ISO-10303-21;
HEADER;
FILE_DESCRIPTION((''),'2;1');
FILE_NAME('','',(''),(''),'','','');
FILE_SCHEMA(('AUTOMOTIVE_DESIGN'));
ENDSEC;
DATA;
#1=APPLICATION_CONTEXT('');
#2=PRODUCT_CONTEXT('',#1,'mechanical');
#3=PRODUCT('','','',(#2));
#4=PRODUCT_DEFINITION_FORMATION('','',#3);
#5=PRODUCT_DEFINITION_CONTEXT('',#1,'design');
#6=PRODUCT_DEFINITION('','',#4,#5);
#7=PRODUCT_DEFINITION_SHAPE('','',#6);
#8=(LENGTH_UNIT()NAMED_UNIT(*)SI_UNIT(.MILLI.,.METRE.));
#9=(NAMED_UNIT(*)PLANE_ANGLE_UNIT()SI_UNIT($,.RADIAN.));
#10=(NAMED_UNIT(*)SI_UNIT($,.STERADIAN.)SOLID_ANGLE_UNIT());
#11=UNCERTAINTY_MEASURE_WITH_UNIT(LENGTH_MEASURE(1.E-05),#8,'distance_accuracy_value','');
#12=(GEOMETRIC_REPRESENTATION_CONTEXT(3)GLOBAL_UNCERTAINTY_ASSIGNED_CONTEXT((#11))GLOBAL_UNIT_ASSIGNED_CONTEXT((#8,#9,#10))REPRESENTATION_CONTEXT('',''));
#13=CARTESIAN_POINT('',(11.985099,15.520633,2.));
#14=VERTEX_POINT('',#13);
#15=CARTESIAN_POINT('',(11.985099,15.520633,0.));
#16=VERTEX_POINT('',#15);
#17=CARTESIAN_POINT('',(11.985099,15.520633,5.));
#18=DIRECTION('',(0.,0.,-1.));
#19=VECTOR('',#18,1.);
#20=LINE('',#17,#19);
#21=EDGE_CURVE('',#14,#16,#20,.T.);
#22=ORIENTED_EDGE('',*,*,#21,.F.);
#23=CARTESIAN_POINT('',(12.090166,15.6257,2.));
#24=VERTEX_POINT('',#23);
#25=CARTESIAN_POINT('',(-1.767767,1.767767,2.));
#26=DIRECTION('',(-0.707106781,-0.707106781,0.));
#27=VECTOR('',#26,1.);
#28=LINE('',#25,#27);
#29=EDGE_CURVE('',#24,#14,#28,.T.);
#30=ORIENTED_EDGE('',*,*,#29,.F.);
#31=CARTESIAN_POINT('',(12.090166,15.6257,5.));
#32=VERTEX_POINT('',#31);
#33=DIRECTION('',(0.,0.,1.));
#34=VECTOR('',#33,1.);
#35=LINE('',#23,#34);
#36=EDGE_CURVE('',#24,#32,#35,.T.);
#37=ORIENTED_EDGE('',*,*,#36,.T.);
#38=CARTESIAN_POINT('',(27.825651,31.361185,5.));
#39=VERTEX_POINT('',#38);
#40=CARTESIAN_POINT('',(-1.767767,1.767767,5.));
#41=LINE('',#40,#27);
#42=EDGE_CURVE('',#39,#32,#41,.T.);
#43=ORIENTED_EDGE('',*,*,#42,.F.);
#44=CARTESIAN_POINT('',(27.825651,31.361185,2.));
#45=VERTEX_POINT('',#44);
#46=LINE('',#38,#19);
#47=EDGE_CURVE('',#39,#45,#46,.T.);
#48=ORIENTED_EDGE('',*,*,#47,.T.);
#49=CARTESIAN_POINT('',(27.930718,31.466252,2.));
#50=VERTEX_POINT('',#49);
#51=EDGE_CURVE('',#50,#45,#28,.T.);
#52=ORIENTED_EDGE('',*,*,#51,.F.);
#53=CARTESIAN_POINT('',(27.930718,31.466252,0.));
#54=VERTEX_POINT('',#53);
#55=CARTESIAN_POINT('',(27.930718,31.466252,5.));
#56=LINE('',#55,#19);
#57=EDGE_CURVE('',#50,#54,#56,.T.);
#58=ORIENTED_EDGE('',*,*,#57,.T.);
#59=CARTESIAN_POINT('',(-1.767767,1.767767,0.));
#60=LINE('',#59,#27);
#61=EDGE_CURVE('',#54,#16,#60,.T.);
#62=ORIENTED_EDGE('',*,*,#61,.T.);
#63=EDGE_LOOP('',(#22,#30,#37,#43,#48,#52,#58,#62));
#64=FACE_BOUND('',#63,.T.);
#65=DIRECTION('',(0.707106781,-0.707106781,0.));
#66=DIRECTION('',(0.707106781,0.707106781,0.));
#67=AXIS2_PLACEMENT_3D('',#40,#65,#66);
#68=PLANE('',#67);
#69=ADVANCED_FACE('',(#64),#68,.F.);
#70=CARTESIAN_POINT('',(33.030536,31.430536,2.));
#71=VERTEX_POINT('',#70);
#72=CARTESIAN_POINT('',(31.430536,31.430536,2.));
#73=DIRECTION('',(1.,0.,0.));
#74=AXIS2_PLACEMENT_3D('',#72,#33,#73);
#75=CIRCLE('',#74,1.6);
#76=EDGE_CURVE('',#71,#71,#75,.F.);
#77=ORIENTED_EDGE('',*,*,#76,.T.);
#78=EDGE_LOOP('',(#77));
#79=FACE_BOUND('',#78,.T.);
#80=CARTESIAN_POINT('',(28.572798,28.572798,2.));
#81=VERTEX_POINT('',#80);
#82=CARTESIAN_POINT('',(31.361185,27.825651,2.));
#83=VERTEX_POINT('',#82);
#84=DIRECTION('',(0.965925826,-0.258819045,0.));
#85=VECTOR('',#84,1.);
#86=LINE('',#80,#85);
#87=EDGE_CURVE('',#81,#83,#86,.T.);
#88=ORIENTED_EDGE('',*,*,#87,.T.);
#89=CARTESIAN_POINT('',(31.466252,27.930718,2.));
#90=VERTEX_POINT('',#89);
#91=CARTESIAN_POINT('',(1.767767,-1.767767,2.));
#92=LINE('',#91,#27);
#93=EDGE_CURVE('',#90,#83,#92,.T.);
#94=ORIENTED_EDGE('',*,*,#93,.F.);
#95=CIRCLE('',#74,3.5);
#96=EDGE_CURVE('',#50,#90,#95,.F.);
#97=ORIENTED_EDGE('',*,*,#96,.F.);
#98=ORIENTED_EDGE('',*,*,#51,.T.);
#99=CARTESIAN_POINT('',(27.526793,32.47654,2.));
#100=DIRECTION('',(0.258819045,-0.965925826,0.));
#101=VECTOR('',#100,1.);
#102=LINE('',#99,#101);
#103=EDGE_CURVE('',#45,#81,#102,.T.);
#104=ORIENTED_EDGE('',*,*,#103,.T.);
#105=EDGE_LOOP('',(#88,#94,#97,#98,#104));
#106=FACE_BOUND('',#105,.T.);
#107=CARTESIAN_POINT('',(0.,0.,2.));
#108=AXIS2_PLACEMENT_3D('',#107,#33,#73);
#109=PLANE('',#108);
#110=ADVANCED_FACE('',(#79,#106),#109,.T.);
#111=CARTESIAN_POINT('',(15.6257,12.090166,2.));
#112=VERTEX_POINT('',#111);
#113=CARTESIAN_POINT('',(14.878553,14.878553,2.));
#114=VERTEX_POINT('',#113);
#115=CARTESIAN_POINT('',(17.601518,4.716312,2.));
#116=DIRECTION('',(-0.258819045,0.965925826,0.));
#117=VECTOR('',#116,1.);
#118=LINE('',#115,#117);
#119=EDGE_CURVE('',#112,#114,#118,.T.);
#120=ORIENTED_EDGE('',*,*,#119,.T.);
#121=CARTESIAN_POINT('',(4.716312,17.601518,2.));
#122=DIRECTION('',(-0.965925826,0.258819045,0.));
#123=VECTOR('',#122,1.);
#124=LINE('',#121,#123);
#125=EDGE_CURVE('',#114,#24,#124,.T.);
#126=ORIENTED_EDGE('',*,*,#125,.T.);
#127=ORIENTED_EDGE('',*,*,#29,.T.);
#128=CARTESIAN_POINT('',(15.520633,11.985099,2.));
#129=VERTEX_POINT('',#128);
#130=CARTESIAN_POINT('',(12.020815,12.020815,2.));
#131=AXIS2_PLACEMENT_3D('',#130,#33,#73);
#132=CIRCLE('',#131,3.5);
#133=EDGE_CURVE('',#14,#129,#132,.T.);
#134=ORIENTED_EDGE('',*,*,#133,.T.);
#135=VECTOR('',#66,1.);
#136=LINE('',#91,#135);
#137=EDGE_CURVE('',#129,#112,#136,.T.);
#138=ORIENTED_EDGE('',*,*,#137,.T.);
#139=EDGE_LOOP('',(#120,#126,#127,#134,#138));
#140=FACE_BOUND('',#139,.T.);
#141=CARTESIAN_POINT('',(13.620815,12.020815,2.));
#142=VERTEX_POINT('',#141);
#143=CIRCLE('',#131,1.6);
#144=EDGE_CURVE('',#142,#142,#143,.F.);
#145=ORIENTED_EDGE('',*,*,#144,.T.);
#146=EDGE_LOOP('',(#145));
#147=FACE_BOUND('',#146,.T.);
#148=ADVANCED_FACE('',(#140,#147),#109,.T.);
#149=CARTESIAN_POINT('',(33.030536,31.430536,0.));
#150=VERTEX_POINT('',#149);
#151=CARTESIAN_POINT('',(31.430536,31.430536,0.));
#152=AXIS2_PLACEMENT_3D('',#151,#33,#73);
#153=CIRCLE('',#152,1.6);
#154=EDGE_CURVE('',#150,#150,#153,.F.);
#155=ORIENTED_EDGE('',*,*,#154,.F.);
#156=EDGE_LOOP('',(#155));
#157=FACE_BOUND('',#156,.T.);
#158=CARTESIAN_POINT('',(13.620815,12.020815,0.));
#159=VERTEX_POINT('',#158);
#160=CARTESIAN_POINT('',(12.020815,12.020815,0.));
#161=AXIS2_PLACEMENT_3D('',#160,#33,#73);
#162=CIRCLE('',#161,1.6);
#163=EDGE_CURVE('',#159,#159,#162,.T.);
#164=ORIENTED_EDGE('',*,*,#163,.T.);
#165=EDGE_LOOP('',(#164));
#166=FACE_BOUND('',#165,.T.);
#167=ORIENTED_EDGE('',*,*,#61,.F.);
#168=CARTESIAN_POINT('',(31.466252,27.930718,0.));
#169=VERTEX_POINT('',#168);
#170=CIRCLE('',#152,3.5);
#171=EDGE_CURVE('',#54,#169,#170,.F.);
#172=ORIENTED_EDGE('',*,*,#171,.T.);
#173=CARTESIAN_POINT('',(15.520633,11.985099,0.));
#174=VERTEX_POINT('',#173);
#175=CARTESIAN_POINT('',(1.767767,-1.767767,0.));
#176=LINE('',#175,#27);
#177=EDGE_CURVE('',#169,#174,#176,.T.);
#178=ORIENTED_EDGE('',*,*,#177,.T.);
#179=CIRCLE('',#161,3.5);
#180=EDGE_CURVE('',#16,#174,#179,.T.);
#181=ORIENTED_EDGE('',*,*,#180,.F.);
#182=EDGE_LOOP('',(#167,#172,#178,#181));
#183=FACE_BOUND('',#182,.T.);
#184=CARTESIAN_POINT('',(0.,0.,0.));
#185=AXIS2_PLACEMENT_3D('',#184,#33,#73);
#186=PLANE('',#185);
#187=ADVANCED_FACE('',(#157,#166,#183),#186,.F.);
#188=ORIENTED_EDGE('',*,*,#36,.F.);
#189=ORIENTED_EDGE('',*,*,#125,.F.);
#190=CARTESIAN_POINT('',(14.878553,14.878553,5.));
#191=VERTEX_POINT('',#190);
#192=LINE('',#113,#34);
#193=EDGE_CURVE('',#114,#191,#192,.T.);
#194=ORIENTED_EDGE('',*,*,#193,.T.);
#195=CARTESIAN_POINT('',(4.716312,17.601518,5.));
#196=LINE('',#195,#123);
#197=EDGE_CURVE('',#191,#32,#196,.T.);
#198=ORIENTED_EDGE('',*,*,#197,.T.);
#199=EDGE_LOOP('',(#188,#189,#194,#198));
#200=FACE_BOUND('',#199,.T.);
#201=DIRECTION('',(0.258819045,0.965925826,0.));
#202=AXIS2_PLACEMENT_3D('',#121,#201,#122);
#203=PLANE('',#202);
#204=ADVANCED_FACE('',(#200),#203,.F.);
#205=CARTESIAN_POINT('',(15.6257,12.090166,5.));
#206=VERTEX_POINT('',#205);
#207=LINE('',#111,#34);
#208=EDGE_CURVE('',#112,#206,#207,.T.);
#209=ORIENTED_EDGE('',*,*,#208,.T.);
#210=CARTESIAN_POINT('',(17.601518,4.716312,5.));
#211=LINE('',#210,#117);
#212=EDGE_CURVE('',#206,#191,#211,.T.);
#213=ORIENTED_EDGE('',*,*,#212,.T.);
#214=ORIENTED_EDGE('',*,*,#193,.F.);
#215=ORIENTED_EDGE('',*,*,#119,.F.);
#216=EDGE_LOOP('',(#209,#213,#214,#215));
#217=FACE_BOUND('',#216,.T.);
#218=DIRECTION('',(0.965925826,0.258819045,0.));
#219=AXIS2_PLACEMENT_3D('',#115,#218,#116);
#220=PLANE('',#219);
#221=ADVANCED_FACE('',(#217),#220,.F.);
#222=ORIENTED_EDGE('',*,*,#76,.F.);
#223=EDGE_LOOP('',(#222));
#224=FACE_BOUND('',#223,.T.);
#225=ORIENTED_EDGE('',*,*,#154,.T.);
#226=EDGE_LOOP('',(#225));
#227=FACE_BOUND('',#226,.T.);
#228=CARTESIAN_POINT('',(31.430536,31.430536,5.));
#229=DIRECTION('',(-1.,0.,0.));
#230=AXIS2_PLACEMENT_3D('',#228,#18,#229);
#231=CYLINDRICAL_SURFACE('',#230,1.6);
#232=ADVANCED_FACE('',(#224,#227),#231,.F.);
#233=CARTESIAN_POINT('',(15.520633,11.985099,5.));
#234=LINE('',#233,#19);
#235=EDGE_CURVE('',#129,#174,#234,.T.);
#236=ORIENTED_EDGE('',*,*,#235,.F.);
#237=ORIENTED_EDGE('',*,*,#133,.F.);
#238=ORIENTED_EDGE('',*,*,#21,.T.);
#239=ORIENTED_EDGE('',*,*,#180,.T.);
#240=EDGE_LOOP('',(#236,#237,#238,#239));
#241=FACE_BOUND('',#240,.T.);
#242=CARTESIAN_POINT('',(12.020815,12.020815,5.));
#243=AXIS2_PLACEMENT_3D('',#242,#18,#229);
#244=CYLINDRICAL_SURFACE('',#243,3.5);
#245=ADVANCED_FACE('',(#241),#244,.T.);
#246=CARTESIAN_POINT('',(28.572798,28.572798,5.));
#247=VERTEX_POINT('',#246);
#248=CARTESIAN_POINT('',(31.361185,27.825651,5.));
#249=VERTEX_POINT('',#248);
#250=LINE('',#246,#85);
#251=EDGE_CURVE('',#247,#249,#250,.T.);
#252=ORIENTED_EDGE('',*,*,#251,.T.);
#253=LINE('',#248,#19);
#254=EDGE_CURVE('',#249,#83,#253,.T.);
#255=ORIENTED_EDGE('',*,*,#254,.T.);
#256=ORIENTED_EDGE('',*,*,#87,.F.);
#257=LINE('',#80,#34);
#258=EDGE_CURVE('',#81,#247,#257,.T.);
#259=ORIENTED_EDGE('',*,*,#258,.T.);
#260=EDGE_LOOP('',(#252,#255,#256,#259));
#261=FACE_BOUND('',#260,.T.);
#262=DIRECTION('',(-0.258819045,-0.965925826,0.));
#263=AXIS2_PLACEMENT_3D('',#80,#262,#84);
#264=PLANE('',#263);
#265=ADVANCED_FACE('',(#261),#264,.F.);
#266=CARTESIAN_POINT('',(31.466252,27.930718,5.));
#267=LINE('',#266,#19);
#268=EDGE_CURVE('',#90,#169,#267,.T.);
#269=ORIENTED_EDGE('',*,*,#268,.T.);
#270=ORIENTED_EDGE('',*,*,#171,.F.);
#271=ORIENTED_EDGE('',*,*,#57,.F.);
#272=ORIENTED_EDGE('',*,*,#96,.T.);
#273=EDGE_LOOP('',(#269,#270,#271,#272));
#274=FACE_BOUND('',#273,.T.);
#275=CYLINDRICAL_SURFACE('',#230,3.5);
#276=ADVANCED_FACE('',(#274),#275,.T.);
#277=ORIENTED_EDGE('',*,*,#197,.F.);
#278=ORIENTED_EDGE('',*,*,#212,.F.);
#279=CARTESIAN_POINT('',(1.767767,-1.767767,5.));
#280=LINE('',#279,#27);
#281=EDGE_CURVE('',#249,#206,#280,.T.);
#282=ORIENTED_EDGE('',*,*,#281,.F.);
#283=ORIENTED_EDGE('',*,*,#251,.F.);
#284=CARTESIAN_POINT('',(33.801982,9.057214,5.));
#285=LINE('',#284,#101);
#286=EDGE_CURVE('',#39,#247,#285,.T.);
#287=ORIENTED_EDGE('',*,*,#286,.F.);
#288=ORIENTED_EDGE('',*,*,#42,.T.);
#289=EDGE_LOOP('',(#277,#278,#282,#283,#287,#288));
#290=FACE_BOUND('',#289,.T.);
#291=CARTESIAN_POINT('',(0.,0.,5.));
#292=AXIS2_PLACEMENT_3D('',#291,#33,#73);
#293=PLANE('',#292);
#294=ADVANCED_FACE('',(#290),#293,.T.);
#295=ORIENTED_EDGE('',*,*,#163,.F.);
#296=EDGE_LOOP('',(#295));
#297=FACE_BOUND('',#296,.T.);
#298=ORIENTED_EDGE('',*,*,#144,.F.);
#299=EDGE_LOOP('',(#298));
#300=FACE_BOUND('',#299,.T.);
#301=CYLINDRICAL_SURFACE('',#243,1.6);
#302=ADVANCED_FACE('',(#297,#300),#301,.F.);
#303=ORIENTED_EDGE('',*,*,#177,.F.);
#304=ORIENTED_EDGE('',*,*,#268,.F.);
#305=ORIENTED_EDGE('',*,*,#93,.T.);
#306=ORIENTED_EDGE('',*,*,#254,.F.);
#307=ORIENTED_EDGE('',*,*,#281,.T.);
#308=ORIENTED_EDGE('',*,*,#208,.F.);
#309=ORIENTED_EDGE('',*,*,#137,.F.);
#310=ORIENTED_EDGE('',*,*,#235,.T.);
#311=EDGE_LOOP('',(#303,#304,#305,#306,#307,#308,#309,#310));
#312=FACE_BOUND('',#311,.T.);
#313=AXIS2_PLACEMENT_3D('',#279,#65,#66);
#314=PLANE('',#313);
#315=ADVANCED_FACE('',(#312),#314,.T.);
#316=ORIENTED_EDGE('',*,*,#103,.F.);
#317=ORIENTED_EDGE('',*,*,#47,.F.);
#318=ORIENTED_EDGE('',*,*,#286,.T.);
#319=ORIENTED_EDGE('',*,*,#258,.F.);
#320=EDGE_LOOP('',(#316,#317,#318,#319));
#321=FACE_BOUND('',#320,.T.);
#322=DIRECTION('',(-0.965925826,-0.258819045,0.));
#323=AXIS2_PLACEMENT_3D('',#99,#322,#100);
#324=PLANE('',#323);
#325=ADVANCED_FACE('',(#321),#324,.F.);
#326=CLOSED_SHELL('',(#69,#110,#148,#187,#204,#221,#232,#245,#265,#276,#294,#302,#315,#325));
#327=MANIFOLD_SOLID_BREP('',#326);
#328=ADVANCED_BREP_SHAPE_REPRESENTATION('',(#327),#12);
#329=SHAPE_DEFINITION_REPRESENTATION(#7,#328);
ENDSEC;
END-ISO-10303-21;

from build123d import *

# Parameters (mm, degrees)
SKETCH1_R           = 1.6
BOSS_EXTRUDE1_DEPTH = 5
CUT_EXTRUDE1_START  = -3
SKETCH2_R           = 1.6
CUT_EXTRUDE1_DEPTH  = 3


with BuildPart() as part:
    # Sketch1 → Boss-Extrude1 (new body)
    with BuildSketch(Plane.XY):
        with BuildLine():
            ThreePointArc((31.466251763, 27.930717857), (33.905409352, 33.905409352), (27.930717857, 31.466251763))
            Line((27.930717857, 31.466251763), (11.985099135, 15.520633041))
            ThreePointArc((11.985099135, 15.520633041), (9.545941546, 9.545941546), (15.520633041, 11.985099135))
            Line((15.520633041, 11.985099135), (31.466251763, 27.930717857))
        make_face()
        with Locations((31.430535617, 31.430535617)):
            Circle(SKETCH1_R, mode=Mode.SUBTRACT)
        with Locations((12.02081528, 12.02081528)):
            Circle(SKETCH1_R, mode=Mode.SUBTRACT)
    extrude(amount=BOSS_EXTRUDE1_DEPTH)

    # Sketch2 → Cut-Extrude1 (cut)
    # profile 1 of 2: a face of its own
    with BuildSketch(Plane.XY.offset(5).offset(CUT_EXTRUDE1_START)):
        with BuildLine():
            ThreePointArc((11.985099135, 15.520633041), (9.545941546, 9.545941546), (15.520633041, 11.985099135))
            Line((15.520633041, 11.985099135), (15.62569954, 12.090165634))
            Line((15.62569954, 12.090165634), (14.878553313, 14.878553313))
            Line((14.878553313, 14.878553313), (12.090165634, 15.62569954))
            Line((12.090165634, 15.62569954), (11.985099135, 15.520633041))
        make_face()
        with Locations((12.02081528, 12.02081528)):
            Circle(SKETCH2_R, mode=Mode.SUBTRACT)
    # profile 2 of 2: a face of its own
    with BuildSketch(Plane.XY.offset(5).offset(CUT_EXTRUDE1_START)):
        with BuildLine():
            Line((28.572797584, 28.572797584), (31.361185263, 27.825651357))
            Line((31.361185263, 27.825651357), (31.466251763, 27.930717857))
            ThreePointArc((31.466251763, 27.930717857), (33.905409352, 33.905409352), (27.930717857, 31.466251763))
            Line((27.930717857, 31.466251763), (27.825651357, 31.361185263))
            Line((27.825651357, 31.361185263), (28.572797584, 28.572797584))
        make_face()
        with Locations((31.430535617, 31.430535617)):
            Circle(SKETCH2_R, mode=Mode.SUBTRACT)
    extrude(amount=CUT_EXTRUDE1_DEPTH, mode=Mode.SUBTRACT)


solid = part.part
